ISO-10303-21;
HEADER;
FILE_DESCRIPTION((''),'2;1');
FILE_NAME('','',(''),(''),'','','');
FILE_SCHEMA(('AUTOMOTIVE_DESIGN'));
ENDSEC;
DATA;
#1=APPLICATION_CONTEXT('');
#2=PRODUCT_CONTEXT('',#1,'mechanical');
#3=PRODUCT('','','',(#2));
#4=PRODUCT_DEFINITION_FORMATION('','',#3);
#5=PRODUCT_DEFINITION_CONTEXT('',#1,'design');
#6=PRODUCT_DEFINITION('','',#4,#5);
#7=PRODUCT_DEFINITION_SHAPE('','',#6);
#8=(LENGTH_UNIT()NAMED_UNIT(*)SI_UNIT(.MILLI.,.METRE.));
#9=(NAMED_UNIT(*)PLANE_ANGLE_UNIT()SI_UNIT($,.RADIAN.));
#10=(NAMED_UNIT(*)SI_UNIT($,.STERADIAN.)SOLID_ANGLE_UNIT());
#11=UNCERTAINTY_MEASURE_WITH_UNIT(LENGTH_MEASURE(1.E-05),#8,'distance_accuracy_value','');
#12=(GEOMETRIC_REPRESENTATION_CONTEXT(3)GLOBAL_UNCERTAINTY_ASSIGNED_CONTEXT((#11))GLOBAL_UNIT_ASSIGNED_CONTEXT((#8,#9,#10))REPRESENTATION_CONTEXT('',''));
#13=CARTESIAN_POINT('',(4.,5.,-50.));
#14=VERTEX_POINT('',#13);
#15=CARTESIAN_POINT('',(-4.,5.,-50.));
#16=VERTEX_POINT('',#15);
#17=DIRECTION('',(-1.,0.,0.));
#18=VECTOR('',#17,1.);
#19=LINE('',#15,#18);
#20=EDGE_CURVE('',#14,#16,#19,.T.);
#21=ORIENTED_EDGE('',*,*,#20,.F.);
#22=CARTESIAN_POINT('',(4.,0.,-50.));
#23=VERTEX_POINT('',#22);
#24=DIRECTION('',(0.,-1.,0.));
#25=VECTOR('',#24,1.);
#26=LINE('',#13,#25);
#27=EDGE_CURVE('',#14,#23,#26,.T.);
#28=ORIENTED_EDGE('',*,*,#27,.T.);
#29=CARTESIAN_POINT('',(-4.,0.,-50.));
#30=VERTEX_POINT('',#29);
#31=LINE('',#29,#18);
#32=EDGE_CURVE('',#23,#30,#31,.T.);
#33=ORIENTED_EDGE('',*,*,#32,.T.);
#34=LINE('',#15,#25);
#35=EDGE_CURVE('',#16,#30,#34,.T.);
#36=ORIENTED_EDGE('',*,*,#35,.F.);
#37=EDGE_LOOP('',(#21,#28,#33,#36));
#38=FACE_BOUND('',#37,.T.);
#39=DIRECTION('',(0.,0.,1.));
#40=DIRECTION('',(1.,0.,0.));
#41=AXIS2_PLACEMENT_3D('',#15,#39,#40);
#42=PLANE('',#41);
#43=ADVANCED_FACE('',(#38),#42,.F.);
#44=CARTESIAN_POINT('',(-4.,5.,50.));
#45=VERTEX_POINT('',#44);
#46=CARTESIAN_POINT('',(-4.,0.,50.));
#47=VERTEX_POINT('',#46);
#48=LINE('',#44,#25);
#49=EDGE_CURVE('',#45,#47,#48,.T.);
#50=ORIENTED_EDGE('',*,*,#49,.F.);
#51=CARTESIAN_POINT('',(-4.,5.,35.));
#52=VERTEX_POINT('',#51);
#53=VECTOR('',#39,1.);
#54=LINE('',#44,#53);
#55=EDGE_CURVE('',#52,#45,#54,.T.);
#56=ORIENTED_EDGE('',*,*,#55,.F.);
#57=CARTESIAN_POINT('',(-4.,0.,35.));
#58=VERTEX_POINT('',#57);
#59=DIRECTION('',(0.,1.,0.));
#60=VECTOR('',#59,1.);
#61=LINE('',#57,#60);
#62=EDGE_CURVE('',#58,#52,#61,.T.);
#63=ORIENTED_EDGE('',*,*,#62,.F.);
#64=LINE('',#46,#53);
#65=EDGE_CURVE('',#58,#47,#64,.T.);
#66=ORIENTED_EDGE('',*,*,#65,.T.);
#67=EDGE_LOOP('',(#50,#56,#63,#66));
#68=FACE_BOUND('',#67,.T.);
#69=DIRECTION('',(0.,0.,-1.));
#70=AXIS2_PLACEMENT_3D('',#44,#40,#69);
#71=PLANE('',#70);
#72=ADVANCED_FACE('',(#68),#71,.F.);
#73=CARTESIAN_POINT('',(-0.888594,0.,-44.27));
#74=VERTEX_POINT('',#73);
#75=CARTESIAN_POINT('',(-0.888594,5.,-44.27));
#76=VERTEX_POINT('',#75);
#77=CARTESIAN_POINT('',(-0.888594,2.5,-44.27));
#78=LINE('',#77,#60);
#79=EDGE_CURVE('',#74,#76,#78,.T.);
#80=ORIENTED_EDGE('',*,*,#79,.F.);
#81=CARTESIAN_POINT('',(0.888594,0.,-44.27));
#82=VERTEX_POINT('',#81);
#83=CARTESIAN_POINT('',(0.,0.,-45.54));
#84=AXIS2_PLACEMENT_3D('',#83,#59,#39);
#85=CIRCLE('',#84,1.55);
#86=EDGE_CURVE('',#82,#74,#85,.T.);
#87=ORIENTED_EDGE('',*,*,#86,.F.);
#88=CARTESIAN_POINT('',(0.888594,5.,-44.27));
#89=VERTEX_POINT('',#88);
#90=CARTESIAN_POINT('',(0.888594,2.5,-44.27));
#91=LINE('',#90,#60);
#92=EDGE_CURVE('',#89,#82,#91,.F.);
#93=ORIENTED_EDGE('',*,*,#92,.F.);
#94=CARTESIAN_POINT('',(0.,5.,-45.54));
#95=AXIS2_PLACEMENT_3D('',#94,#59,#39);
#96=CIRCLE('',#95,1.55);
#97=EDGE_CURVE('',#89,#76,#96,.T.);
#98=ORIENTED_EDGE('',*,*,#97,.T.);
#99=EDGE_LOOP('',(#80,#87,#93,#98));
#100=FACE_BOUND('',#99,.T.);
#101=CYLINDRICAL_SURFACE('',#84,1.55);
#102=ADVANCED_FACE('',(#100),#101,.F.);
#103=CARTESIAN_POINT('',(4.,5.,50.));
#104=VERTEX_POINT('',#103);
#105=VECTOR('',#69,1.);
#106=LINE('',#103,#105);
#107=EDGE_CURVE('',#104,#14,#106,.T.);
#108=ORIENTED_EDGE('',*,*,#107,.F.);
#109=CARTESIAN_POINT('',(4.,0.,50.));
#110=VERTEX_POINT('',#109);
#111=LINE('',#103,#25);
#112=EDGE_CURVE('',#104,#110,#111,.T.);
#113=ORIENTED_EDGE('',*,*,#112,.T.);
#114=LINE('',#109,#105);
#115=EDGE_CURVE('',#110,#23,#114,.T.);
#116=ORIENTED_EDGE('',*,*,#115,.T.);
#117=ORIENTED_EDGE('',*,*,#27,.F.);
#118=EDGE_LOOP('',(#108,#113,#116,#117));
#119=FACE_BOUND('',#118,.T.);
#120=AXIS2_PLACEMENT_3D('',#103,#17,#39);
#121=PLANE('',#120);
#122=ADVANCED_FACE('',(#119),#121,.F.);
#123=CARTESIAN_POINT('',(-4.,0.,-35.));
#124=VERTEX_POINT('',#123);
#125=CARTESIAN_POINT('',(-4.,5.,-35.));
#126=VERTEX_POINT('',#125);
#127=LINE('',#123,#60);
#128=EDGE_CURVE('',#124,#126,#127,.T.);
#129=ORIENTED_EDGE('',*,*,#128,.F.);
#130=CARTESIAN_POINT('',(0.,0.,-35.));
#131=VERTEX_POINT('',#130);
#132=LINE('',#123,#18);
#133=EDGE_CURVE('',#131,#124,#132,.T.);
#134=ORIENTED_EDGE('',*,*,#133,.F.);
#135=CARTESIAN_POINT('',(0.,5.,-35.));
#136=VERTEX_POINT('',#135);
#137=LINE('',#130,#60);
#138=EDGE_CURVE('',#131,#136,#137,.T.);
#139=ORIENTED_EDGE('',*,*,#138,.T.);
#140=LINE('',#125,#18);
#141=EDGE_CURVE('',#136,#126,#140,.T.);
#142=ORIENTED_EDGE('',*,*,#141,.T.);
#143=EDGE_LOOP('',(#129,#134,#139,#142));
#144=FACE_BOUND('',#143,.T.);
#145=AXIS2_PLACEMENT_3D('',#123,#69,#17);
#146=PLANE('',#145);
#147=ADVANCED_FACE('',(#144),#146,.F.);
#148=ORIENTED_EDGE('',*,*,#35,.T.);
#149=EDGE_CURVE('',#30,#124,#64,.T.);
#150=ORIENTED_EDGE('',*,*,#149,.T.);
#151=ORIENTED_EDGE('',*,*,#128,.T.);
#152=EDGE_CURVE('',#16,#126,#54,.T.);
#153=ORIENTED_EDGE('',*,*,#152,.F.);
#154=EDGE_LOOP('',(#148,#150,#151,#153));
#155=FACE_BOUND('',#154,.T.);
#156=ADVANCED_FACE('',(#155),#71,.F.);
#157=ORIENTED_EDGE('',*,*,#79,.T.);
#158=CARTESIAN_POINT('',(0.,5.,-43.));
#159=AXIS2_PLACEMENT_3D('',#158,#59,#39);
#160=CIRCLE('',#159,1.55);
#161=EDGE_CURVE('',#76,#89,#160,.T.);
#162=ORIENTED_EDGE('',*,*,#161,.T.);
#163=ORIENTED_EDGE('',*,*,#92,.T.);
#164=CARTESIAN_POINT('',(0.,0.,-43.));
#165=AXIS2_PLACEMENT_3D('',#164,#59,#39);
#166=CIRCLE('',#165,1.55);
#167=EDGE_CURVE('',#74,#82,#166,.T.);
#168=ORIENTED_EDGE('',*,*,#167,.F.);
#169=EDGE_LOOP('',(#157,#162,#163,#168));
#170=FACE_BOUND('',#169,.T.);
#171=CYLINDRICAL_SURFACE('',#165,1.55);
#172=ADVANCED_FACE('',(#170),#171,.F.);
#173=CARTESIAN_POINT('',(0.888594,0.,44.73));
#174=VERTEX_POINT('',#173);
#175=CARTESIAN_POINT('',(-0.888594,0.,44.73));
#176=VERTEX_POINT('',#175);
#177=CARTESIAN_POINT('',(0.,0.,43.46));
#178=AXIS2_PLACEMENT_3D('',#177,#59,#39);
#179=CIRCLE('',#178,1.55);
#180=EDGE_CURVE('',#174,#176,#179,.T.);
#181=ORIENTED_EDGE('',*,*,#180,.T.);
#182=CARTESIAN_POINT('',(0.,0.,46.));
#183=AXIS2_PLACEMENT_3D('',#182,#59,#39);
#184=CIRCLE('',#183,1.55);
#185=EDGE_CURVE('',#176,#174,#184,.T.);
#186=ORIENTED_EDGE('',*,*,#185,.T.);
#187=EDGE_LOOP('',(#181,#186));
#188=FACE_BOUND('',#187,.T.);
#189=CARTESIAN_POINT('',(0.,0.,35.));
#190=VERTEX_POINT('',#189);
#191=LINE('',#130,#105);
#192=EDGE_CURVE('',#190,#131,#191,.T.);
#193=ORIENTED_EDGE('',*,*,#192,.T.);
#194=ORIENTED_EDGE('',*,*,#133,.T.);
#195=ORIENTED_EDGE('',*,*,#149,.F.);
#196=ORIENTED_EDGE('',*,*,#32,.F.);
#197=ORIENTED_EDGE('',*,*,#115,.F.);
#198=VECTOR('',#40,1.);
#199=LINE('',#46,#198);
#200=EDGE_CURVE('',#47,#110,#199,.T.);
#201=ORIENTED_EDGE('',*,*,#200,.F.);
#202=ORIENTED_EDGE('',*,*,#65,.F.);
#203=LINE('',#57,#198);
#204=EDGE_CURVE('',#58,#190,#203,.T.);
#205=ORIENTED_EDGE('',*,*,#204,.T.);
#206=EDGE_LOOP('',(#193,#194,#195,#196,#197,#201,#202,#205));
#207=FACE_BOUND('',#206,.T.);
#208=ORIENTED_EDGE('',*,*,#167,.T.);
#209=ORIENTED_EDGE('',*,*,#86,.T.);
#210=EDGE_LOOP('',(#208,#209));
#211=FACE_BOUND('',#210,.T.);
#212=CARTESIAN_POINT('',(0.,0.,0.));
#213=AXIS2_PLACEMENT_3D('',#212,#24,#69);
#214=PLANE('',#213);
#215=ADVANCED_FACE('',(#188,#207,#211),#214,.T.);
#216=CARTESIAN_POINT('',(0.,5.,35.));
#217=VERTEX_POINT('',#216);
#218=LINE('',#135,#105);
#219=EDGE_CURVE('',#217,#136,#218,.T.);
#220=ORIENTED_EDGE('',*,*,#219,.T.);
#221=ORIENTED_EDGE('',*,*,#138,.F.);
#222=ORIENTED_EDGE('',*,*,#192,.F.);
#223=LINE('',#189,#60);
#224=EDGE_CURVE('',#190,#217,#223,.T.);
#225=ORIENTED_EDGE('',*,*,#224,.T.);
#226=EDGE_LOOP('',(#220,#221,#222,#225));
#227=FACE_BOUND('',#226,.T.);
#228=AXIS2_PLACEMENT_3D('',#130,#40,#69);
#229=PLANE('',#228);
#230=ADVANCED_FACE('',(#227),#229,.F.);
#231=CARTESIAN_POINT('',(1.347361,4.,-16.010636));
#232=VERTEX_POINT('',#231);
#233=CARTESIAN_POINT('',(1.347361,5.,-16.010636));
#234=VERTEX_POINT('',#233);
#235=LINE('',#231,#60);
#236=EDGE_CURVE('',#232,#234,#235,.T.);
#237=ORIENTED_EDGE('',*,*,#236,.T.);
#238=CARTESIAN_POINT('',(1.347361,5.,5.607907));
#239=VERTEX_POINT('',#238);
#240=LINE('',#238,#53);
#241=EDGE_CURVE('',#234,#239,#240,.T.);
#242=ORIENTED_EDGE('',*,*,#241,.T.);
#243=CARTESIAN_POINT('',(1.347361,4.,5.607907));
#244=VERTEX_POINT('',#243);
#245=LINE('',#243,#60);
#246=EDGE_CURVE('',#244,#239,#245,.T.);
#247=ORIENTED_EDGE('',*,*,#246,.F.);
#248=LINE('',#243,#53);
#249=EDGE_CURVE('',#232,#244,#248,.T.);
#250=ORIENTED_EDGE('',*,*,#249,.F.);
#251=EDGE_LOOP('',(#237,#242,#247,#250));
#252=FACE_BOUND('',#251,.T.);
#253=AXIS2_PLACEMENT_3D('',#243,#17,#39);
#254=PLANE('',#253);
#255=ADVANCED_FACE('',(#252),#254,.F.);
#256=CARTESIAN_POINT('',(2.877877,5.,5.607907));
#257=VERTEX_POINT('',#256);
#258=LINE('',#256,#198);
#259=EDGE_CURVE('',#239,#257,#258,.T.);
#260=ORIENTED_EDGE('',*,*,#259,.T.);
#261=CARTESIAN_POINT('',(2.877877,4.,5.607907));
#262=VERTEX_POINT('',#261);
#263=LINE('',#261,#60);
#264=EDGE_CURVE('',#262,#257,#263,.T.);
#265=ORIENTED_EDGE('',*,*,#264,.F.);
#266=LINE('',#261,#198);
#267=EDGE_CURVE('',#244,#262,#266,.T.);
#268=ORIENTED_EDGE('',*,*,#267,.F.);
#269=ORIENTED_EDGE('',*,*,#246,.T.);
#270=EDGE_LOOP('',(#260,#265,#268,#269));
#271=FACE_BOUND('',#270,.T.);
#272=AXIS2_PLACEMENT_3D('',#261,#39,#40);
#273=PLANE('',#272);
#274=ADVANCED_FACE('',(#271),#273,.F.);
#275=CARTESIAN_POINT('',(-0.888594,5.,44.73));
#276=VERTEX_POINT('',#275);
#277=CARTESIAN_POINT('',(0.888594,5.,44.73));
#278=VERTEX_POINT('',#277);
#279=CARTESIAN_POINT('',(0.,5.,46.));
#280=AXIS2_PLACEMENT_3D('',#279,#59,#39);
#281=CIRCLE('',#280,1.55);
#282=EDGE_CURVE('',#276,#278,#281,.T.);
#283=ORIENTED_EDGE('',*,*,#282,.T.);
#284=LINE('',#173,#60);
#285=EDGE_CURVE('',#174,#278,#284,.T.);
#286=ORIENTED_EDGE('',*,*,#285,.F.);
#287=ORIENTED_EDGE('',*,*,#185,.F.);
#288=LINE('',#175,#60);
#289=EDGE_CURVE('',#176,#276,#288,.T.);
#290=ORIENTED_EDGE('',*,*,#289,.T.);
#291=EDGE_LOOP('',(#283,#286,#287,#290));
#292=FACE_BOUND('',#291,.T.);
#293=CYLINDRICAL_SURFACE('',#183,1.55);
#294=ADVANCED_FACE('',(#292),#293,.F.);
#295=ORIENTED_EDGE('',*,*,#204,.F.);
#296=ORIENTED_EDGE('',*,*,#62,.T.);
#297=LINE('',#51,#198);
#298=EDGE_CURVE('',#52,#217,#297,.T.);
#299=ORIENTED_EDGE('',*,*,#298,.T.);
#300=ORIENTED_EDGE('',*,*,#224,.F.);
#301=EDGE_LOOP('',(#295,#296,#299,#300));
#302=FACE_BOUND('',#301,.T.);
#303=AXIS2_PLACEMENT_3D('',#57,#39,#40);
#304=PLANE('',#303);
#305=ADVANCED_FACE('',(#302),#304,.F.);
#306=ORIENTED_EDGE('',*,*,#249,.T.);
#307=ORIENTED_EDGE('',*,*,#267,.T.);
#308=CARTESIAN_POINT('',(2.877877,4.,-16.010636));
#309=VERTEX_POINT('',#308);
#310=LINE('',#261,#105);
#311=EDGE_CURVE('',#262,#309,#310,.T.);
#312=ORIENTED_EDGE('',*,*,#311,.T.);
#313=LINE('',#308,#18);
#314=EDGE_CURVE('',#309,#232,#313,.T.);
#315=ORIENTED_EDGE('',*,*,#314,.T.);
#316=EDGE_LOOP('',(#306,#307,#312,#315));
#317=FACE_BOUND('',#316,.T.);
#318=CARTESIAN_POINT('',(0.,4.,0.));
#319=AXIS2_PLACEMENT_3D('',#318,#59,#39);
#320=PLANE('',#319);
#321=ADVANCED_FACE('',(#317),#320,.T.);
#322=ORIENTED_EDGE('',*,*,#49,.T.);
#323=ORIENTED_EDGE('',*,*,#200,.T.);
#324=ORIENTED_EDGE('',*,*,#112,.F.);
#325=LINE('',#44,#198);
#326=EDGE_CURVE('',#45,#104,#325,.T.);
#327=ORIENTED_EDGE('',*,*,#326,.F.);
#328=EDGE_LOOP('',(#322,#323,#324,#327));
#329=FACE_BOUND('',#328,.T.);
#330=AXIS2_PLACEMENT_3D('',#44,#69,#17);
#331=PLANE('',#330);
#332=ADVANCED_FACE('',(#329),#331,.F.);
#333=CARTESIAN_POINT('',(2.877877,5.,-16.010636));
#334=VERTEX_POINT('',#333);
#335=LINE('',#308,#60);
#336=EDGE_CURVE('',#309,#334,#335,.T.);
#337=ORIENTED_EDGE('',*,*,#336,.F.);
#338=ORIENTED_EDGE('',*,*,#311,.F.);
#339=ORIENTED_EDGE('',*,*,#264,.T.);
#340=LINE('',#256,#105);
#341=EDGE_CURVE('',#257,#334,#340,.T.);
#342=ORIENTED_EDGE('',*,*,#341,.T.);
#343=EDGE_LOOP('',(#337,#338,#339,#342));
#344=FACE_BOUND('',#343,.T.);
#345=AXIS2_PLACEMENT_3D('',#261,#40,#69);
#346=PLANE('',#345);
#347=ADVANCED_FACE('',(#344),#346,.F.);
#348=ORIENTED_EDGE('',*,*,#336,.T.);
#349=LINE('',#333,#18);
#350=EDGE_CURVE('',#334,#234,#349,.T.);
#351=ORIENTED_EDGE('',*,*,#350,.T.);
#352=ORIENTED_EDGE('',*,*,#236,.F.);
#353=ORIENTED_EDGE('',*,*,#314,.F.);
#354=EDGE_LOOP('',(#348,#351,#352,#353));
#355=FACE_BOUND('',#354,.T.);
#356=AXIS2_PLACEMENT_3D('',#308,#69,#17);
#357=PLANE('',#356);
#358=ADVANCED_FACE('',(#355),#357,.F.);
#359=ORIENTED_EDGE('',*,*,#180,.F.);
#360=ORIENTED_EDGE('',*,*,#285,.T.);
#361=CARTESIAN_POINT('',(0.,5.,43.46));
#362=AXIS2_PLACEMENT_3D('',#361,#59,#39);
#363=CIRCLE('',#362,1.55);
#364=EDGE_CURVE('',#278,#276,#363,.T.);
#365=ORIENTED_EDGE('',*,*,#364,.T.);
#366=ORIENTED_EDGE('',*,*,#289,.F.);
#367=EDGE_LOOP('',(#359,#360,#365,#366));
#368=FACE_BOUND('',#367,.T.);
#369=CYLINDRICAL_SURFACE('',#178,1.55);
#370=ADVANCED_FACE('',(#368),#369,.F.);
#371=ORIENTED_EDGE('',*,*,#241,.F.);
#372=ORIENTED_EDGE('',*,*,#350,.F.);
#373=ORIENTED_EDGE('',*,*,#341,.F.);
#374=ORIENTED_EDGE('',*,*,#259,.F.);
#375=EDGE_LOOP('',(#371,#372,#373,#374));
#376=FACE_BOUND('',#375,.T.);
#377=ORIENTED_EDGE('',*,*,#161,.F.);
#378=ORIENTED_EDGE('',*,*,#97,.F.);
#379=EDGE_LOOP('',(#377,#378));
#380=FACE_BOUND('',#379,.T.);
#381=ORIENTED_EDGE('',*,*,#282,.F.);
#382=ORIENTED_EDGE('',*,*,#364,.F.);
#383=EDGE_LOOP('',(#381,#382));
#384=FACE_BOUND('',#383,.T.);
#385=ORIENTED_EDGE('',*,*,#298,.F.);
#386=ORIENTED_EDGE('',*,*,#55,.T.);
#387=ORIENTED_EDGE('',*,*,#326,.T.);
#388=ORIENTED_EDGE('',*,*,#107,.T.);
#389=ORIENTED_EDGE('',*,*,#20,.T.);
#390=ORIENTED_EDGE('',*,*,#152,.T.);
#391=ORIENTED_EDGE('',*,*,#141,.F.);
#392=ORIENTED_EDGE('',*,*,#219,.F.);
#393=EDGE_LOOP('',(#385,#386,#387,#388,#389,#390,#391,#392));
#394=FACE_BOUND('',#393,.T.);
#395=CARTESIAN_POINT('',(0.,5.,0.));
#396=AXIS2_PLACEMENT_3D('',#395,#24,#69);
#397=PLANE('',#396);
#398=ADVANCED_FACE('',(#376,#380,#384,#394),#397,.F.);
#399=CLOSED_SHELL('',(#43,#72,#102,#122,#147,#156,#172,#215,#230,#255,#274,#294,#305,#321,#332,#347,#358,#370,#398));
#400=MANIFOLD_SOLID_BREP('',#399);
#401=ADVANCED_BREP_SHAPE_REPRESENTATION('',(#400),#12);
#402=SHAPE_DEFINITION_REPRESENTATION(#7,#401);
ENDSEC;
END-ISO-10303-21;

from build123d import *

# Parameters (mm, degrees)
SKETCH1_W      = 8
SKETCH1_H      = 100
EXTRUDE1_DEPTH = 5
SKETCH2_R      = 1.55
EXTRUDE4_DEPTH = 5
SKETCH4_R      = 1.55
EXTRUDE6_DEPTH = 5
SKETCH5_W      = 4
SKETCH5_H      = 70
EXTRUDE7_DEPTH = 5
SKETCH6_W      = 1.530516358
SKETCH6_H      = 21.618543552
EXTRUDE8_DEPTH = 1


with BuildPart() as part:
    # Sketch1 → Extrude1 (new body)
    with BuildSketch(Plane(origin=(0, 0, 0), x_dir=(1, 0, 0), z_dir=(0, 1, 0))):
        Rectangle(SKETCH1_W, SKETCH1_H)
    extrude(amount=EXTRUDE1_DEPTH)

    # Sketch2 → Extrude4 (cut)
    with BuildSketch(Plane(origin=(0, 5, 0), x_dir=(1, 0, 0), z_dir=(0, 1, 0))):
        with Locations(Location((0, -46, 0), (0, 0, 270))):
            Circle(SKETCH2_R)
    extrude(amount=-EXTRUDE4_DEPTH, mode=Mode.SUBTRACT)

    # Sketch4 → Extrude6 (cut)
    with BuildSketch(Plane(origin=(0, 5, 0), x_dir=(1, 0, 0), z_dir=(0, 1, 0))):
        with Locations((0, -43.46)):
            Circle(SKETCH4_R)
        with Locations((0, -46)):
            Circle(SKETCH4_R)
        with Locations((0, 43)):
            Circle(SKETCH4_R)
        with Locations((0, 45.54)):
            Circle(SKETCH4_R)
    extrude(amount=-EXTRUDE6_DEPTH, mode=Mode.SUBTRACT)

    # Sketch5 → Extrude7 (cut)
    with BuildSketch(Plane(origin=(0, 5, 0), x_dir=(1, 0, 0), z_dir=(0, 1, 0))):
        with Locations((-2, 0)):
            Rectangle(SKETCH5_W, SKETCH5_H)
    extrude(amount=-EXTRUDE7_DEPTH, mode=Mode.SUBTRACT)

    # Sketch6 → Extrude8 (cut)
    with BuildSketch(Plane(origin=(0, 5, 0), x_dir=(1, 0, 0), z_dir=(0, 1, 0))):
        with Locations((2.112618746, 5.201364346)):
            Rectangle(SKETCH6_W, SKETCH6_H)
    extrude(amount=-EXTRUDE8_DEPTH, mode=Mode.SUBTRACT)


solid = part.part
